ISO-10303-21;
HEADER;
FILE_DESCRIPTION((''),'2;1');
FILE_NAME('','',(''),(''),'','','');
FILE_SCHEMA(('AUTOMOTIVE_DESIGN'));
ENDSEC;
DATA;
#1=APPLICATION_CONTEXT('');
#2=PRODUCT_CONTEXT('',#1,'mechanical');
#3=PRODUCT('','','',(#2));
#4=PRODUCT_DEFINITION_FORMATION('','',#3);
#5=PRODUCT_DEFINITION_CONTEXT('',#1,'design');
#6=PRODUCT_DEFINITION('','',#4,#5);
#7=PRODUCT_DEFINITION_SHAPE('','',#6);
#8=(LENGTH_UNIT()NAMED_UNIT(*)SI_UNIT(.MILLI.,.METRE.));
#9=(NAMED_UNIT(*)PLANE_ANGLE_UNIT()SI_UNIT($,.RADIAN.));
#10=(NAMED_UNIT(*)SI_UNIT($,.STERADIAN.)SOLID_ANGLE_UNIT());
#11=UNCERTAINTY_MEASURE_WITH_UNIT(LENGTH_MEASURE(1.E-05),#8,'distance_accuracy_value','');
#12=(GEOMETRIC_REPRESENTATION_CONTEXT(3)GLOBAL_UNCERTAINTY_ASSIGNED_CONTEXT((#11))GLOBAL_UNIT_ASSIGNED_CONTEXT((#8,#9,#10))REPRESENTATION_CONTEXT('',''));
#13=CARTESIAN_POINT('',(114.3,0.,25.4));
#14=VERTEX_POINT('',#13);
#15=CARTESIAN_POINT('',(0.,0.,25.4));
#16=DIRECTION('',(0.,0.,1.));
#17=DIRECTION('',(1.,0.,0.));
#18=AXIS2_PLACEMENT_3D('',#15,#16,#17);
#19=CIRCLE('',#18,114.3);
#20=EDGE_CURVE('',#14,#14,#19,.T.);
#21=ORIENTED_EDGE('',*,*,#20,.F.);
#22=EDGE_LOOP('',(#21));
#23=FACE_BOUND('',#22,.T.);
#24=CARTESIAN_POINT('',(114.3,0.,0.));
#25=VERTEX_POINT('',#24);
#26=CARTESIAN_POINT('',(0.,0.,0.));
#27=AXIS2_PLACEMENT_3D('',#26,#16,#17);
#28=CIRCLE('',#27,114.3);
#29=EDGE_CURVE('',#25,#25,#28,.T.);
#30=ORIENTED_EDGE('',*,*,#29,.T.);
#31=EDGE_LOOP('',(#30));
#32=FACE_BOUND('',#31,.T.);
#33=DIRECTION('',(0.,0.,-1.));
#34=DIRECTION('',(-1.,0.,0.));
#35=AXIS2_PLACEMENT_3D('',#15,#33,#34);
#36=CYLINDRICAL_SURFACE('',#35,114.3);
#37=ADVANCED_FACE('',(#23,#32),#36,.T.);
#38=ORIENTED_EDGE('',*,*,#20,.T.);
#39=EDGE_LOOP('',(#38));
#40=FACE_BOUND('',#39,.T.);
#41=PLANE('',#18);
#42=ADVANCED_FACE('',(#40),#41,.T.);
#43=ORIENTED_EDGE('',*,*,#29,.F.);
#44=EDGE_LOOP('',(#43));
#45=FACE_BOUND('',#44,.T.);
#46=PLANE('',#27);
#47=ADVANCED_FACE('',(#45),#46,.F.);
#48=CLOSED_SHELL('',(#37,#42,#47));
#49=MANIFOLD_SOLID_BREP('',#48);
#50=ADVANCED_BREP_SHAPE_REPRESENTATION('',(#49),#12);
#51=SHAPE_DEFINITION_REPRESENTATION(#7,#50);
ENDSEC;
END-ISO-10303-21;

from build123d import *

# Parameters (mm, degrees)
SKETCH1_R           = 114.3
BOSS_EXTRUDE1_DEPTH = 25.4


with BuildPart() as part:
    # Sketch1 → Boss-Extrude1 (new body)
    with BuildSketch(Plane.XY):
        Circle(SKETCH1_R)
    extrude(amount=BOSS_EXTRUDE1_DEPTH)


solid = part.part
